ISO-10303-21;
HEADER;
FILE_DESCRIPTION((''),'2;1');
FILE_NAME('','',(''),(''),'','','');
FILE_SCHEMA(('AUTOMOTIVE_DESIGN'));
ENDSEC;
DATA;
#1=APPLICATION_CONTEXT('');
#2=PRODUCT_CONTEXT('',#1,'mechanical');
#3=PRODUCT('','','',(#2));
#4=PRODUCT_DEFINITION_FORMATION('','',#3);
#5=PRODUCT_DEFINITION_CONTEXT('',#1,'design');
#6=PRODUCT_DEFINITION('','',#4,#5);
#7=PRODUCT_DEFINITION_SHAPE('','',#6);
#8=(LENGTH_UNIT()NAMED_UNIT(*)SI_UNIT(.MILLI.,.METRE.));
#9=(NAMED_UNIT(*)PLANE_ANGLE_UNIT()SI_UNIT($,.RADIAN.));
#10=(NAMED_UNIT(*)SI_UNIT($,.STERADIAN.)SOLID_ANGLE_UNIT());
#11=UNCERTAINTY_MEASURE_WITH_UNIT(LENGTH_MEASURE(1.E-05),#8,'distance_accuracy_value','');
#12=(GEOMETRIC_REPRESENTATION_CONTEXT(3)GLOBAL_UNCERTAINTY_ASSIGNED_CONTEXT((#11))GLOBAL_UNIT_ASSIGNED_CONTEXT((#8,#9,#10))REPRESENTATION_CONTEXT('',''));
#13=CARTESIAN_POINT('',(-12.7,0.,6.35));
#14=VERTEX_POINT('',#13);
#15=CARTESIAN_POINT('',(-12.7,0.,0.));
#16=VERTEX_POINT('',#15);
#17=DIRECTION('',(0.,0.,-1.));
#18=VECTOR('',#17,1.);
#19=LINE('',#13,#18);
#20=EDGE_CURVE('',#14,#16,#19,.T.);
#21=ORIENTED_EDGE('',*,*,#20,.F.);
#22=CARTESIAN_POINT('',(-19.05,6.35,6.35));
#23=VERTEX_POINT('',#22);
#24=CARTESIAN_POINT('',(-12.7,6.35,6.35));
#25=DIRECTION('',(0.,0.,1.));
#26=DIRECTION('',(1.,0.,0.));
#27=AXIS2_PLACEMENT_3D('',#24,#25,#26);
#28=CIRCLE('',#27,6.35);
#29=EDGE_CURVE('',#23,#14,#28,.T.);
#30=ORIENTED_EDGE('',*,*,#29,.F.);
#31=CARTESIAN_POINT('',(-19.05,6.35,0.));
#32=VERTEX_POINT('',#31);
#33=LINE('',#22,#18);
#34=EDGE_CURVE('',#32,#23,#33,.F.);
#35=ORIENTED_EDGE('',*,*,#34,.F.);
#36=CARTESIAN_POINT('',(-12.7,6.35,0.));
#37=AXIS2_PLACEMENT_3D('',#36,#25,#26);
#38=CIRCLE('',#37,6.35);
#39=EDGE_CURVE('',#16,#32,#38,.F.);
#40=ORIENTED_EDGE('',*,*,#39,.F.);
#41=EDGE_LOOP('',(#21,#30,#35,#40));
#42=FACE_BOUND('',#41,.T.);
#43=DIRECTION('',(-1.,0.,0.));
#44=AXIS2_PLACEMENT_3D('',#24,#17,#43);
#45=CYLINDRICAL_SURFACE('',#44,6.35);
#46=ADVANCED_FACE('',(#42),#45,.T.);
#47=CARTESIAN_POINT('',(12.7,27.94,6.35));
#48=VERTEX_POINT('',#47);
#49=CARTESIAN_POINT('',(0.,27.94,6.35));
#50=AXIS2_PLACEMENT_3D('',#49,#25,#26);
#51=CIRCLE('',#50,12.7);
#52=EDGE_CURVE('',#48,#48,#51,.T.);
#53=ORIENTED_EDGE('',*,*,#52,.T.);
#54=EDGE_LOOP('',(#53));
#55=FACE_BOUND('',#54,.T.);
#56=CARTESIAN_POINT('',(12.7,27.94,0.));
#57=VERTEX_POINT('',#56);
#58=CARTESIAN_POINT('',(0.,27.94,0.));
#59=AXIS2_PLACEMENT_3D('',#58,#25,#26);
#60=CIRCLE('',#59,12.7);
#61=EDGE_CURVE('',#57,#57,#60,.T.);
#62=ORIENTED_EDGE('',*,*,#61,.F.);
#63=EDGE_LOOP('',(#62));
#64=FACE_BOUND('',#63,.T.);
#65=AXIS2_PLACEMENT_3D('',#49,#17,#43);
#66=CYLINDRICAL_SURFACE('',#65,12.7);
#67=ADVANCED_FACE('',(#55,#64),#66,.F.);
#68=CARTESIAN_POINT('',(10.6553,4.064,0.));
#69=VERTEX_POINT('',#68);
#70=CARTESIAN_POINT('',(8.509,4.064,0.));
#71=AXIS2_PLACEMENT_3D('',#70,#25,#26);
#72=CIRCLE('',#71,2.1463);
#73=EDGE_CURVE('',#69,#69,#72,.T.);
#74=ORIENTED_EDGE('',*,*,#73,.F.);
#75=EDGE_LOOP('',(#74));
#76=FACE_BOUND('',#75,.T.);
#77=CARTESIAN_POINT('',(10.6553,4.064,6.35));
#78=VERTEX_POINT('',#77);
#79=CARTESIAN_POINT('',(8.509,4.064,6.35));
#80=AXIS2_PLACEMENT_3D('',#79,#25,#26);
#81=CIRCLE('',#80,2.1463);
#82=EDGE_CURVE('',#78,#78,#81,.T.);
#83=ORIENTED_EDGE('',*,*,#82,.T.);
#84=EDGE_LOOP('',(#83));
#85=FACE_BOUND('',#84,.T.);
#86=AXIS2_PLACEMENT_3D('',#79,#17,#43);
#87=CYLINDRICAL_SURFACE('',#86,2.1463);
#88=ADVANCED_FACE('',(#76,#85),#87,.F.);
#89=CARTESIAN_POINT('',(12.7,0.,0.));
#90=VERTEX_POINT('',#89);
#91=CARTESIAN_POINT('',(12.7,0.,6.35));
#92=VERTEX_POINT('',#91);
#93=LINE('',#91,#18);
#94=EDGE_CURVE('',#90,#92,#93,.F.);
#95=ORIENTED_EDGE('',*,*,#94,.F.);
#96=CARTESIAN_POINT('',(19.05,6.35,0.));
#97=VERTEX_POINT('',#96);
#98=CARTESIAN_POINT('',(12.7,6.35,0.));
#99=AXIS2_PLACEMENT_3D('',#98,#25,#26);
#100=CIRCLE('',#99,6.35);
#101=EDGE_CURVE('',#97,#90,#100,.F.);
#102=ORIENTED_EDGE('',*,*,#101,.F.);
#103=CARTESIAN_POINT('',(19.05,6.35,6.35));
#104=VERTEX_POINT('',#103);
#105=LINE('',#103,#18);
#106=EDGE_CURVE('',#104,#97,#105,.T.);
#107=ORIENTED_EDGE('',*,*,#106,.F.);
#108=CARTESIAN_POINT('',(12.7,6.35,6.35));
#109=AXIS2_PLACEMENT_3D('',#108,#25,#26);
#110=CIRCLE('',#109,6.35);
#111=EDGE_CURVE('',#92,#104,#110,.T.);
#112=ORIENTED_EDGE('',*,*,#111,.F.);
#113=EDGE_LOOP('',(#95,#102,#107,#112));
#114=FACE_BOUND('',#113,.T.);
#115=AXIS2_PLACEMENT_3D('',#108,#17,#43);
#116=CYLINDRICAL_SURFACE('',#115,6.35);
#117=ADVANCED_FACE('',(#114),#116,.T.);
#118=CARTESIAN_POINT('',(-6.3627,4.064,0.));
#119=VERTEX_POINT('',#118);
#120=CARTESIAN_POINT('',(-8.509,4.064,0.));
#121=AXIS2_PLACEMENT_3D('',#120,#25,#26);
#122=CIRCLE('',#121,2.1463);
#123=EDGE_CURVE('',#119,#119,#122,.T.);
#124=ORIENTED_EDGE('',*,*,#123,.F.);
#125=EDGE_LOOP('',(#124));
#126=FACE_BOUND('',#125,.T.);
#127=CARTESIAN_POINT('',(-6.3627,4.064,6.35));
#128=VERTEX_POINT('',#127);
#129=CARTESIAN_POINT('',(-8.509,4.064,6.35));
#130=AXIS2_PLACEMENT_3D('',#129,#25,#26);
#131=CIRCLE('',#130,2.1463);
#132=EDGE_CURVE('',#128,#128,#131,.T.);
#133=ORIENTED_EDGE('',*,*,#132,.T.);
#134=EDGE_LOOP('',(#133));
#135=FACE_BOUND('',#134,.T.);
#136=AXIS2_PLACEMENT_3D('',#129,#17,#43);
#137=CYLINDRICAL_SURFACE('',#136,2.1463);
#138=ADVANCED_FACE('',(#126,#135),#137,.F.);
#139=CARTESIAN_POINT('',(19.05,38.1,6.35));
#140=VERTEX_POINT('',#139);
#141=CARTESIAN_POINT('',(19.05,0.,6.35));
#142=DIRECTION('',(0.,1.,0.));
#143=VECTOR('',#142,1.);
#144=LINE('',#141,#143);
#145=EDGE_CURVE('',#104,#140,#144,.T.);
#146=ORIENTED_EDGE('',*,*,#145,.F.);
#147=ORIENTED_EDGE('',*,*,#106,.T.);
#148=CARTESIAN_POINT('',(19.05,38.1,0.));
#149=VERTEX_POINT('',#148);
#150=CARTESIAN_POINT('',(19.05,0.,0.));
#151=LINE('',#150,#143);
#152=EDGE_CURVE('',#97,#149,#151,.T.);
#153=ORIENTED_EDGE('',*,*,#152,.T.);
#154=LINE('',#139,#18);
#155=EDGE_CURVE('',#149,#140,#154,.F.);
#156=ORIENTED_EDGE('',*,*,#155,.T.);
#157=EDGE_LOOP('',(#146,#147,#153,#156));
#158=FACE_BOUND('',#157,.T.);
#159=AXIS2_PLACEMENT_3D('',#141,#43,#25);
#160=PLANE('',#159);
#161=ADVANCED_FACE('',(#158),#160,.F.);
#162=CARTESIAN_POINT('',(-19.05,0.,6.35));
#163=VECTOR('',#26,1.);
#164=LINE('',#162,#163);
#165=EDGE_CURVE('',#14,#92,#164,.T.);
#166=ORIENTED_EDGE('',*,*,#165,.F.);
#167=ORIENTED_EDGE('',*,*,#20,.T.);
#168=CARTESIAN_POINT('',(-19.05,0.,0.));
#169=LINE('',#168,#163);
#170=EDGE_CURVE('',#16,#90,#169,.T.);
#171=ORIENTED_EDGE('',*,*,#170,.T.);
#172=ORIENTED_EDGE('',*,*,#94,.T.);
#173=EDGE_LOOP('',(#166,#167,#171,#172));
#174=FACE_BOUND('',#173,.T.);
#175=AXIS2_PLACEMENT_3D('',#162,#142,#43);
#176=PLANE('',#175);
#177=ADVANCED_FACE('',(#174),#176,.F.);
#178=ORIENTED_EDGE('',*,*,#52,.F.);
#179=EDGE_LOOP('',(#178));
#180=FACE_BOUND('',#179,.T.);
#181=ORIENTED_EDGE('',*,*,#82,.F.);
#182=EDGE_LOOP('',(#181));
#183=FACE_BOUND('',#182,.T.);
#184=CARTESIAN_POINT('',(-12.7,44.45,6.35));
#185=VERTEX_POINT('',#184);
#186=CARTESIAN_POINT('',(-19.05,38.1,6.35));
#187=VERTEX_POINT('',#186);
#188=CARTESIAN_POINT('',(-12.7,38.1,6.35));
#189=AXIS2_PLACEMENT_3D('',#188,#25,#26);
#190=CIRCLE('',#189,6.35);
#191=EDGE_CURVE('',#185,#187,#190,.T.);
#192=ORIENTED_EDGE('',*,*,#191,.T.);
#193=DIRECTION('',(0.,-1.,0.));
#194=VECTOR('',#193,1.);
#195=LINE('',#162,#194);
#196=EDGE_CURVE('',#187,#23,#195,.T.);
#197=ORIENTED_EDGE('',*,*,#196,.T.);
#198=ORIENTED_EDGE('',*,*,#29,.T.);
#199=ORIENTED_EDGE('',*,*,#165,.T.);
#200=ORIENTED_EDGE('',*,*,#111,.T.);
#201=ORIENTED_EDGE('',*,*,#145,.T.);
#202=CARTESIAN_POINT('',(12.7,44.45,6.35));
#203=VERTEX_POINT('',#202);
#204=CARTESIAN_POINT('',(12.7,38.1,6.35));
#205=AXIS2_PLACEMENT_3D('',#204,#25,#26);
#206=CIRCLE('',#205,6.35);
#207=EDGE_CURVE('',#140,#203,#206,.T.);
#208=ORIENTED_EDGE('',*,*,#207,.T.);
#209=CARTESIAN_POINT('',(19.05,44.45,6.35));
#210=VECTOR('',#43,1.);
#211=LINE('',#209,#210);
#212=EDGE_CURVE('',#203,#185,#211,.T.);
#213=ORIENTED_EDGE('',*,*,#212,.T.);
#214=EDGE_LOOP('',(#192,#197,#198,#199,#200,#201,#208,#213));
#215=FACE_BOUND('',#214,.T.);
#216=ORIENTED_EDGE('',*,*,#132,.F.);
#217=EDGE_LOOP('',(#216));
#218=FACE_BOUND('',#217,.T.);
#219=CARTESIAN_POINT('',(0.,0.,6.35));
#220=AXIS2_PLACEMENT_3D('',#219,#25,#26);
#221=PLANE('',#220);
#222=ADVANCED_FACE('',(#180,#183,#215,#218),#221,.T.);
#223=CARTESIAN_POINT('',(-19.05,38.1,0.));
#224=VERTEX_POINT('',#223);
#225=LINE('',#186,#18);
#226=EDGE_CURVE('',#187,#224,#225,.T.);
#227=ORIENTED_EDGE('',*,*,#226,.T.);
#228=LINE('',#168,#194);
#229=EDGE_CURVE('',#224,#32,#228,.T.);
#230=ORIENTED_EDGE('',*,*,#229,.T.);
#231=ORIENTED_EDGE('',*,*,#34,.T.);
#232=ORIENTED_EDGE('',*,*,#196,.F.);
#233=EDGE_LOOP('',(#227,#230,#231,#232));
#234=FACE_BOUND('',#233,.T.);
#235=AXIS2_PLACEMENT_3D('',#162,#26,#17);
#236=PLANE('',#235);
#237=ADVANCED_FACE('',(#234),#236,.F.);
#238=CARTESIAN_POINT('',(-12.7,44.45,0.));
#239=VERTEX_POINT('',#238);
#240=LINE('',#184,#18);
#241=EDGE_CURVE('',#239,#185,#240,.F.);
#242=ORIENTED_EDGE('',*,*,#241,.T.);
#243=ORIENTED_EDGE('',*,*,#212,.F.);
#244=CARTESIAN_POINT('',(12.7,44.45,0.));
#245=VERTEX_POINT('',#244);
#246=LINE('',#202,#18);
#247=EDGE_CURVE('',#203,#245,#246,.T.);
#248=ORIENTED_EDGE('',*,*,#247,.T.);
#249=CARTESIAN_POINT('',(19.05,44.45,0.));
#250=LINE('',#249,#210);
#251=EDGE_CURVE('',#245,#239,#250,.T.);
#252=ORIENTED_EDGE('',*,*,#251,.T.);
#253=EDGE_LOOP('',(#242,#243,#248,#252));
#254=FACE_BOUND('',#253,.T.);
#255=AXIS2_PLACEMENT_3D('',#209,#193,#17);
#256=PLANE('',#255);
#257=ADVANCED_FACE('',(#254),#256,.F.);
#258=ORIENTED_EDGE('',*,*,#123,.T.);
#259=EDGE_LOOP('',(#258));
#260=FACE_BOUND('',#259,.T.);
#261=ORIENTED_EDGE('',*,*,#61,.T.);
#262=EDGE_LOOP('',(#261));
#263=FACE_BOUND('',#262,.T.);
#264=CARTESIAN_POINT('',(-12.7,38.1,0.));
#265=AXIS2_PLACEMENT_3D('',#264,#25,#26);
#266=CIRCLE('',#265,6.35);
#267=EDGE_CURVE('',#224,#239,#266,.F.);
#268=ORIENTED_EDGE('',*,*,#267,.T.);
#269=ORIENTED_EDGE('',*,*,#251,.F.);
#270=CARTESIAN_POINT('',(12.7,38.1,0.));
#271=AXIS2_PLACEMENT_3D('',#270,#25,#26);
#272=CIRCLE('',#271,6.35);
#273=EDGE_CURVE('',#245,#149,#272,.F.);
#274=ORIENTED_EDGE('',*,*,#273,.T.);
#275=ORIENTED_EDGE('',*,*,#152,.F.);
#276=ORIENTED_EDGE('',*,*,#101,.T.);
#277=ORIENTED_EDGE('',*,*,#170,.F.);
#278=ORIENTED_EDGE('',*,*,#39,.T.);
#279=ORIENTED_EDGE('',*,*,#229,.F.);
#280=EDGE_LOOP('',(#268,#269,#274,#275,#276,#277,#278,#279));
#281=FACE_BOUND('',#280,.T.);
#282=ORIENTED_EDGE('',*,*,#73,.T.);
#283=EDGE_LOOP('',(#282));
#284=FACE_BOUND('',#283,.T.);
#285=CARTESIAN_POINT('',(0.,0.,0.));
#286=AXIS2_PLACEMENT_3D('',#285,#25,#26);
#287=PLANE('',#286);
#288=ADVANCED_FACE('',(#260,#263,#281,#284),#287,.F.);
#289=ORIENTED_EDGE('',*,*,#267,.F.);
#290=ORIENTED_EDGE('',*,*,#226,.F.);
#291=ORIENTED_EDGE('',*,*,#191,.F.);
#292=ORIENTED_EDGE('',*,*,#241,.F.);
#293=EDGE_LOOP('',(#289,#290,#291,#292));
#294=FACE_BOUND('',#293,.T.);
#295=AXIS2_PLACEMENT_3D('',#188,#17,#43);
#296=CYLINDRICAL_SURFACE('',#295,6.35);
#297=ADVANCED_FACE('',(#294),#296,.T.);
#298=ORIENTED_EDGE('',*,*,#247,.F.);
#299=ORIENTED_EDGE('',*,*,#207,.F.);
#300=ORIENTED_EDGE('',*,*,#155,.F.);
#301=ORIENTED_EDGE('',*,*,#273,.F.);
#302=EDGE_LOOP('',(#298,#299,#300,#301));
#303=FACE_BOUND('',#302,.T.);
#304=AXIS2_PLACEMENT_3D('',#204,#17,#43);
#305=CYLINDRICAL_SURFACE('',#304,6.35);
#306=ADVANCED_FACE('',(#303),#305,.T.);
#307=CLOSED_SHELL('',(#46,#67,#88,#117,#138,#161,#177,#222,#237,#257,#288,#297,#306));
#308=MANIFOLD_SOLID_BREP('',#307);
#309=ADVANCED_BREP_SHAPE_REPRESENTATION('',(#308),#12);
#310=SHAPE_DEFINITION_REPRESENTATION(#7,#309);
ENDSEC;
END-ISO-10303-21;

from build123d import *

# Parameters (mm, degrees)
SKETCH1_W           = 38.1
SKETCH1_H           = 44.45
SKETCH1_R           = 12.7
SKETCH1_R_2         = 2.1463
BOSS_EXTRUDE1_DEPTH = 6.35
FILLET1_R           = 6.35


with BuildPart() as part:
    # Sketch1 → Boss-Extrude1 (new body)
    with BuildSketch(Plane.XY):
        with Locations((0, 22.225)):
            Rectangle(SKETCH1_W, SKETCH1_H)
        with Locations((0, 27.94)):
            Circle(SKETCH1_R, mode=Mode.SUBTRACT)
        with Locations((8.509, 4.064)):
            Circle(SKETCH1_R_2, mode=Mode.SUBTRACT)
        with Locations((-8.509, 4.064)):
            Circle(SKETCH1_R_2, mode=Mode.SUBTRACT)
    extrude(amount=BOSS_EXTRUDE1_DEPTH)

    # Fillet1
    fillet1_edges = [part.edges().sort_by_distance(p)[0] for p in [
        (19.05, 0, 3.175),
        (-19.05, 0, 3.175),
        (-19.05, 44.45, 3.175),
        (19.05, 44.45, 3.175),
    ]]
    fillet(fillet1_edges, radius=FILLET1_R)


solid = part.part
